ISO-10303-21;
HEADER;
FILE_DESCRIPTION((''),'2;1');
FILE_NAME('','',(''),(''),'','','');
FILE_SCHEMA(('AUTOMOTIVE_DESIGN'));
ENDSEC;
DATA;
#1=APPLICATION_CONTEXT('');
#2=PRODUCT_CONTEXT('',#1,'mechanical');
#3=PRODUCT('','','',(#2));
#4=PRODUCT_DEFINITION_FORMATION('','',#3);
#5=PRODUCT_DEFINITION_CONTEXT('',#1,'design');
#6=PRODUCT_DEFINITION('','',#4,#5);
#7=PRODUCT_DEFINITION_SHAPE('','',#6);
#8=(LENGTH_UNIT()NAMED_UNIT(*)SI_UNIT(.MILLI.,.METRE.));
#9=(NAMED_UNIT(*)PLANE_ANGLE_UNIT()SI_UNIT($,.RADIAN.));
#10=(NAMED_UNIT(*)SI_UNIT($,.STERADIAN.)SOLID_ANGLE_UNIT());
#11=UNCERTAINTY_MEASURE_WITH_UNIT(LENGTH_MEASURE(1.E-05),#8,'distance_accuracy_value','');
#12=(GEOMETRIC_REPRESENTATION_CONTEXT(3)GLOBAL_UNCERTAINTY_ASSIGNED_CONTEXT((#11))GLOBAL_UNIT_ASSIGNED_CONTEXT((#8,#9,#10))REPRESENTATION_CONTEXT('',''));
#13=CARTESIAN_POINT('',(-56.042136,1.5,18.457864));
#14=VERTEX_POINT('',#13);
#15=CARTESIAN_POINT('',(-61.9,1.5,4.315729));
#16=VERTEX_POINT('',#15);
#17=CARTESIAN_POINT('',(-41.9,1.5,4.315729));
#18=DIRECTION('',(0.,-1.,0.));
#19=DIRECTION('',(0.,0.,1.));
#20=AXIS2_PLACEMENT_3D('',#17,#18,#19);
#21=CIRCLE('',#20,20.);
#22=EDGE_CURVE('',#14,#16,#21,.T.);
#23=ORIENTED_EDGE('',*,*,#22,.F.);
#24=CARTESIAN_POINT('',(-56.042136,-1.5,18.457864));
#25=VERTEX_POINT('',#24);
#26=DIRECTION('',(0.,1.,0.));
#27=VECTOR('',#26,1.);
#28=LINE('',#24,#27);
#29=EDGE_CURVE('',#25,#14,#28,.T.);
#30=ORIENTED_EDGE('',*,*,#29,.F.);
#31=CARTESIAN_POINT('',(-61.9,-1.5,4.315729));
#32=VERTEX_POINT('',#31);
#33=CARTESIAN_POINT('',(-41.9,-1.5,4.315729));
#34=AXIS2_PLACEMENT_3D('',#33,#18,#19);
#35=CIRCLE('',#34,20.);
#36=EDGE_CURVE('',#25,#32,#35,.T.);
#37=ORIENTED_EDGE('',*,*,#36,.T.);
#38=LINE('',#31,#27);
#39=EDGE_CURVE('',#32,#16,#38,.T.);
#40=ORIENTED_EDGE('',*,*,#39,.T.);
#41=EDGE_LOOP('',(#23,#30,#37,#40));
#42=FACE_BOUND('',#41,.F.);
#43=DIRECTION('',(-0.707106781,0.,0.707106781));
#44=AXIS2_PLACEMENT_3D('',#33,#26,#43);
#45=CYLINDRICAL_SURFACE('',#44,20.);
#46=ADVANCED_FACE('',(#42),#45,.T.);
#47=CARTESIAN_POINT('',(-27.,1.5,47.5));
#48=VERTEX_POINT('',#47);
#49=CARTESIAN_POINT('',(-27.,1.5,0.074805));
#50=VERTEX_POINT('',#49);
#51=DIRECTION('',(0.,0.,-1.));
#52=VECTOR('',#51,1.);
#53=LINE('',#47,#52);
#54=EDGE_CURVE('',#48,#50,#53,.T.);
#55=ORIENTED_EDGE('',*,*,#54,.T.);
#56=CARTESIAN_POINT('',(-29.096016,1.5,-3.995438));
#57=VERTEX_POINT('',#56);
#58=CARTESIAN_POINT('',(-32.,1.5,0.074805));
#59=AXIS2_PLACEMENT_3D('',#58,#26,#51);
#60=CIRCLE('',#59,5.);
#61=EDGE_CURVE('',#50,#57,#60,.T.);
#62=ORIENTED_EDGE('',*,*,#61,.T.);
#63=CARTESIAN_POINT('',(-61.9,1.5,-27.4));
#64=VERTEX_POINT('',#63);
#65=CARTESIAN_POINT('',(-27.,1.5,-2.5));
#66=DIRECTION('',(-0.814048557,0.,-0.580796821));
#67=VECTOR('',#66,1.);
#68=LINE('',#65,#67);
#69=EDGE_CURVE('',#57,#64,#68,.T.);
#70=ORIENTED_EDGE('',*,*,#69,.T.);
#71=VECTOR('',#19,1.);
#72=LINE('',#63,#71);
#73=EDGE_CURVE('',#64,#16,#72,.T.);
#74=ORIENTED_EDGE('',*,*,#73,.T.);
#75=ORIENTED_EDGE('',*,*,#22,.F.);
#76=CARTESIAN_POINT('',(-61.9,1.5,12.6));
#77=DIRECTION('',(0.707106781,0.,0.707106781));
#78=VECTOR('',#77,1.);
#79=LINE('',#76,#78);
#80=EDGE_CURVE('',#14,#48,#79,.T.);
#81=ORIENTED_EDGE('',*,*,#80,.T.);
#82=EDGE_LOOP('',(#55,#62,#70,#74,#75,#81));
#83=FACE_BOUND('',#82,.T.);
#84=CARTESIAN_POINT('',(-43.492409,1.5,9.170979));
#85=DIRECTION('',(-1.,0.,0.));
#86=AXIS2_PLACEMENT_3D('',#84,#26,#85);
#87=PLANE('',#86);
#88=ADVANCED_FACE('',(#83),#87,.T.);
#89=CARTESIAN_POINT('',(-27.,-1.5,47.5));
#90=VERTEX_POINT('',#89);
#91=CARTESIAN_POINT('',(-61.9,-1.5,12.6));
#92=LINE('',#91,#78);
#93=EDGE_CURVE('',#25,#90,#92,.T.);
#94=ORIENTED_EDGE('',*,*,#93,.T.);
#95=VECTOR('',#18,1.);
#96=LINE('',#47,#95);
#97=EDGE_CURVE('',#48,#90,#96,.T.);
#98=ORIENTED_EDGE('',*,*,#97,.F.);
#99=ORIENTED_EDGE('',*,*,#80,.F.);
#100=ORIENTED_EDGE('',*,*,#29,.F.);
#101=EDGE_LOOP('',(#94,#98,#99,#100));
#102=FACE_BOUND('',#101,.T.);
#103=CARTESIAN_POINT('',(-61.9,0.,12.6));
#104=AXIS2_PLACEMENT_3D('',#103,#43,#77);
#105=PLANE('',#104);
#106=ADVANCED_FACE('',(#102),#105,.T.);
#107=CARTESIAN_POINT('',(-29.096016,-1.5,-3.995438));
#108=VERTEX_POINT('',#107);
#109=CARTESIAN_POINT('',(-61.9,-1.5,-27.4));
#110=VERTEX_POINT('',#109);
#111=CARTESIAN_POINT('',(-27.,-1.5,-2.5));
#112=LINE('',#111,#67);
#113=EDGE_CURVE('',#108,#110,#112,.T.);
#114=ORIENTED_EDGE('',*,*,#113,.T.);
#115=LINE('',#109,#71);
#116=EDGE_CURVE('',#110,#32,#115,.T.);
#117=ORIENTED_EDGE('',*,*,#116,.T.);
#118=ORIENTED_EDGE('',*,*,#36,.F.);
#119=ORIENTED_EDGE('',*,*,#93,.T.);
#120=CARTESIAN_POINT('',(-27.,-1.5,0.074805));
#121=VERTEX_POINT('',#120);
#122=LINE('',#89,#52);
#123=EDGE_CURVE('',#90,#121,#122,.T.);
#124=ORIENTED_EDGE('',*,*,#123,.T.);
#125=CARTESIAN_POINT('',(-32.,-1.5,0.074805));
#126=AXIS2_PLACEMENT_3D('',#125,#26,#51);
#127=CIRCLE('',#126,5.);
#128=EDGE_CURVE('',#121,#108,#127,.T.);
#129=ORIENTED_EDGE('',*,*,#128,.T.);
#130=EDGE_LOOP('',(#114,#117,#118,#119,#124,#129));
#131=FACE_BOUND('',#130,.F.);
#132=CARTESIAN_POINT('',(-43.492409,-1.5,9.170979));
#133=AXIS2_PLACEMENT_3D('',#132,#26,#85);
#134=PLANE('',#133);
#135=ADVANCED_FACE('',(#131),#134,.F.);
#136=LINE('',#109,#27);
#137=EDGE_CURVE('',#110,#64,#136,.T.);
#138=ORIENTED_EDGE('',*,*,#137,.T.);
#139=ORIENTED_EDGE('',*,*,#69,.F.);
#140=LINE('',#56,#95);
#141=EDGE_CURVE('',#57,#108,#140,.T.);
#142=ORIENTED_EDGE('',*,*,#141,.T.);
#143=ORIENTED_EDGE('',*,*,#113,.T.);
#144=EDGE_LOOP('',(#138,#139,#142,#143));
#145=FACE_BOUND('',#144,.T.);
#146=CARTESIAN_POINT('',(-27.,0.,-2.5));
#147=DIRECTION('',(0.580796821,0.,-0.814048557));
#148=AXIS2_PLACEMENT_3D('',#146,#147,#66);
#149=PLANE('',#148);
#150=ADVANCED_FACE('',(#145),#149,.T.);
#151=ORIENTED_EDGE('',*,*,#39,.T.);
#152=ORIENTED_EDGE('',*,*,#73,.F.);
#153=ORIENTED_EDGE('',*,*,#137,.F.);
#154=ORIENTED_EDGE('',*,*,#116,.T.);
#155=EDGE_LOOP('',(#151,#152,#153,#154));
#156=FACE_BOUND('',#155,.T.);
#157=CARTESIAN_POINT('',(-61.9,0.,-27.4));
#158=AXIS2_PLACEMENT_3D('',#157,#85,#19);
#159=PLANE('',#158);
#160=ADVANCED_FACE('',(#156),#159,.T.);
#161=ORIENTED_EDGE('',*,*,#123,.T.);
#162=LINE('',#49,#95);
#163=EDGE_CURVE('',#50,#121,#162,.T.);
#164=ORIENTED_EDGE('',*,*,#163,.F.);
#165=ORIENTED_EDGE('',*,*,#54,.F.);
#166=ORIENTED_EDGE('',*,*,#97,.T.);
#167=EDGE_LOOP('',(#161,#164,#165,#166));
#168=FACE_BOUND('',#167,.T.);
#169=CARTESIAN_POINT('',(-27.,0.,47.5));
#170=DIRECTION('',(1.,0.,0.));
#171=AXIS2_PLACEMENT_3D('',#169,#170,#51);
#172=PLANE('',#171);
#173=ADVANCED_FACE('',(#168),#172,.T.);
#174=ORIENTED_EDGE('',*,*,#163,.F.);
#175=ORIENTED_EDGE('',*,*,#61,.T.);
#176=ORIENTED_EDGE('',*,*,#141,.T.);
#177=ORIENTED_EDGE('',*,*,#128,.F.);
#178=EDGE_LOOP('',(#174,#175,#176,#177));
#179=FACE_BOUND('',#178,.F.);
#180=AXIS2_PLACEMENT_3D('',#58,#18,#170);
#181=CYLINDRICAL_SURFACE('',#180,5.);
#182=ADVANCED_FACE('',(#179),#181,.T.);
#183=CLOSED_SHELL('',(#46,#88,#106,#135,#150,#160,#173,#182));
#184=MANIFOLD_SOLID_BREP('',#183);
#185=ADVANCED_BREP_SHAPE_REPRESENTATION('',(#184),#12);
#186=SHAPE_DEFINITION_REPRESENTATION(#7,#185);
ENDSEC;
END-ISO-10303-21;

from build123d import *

# Parameters (mm, degrees)
PAD007_DEPTH            = 1.5
FILLET008_R             = 20
FILLET009_R             = 5
BODY008_PLACEMENT_ANGLE = 90


with BuildPart() as part:
    # Sketch012 → Pad007 (new body, symmetric)
    with BuildSketch(Plane.YZ):
        Polygon((27, -2.5), (61.9, -27.4), (61.9, 12.6), (27, 47.5), align=None)
    extrude(amount=PAD007_DEPTH, both=True)

    # Fillet008
    fillet008_edges = [part.edges().sort_by_distance(p)[0] for p in [
        (0, 61.9, 12.6),
    ]]
    fillet(fillet008_edges, radius=FILLET008_R)

    # Fillet009
    fillet009_edges = [part.edges().sort_by_distance(p)[0] for p in [
        (0, 27, -2.5),
    ]]
    fillet(fillet009_edges, radius=FILLET009_R)


with BuildPart() as part_1:
    # Body008 placement: moved
    add(part.part.rotate(Axis((0, 0, 0), (0, 0, 1)), BODY008_PLACEMENT_ANGLE))


solid = part_1.part
